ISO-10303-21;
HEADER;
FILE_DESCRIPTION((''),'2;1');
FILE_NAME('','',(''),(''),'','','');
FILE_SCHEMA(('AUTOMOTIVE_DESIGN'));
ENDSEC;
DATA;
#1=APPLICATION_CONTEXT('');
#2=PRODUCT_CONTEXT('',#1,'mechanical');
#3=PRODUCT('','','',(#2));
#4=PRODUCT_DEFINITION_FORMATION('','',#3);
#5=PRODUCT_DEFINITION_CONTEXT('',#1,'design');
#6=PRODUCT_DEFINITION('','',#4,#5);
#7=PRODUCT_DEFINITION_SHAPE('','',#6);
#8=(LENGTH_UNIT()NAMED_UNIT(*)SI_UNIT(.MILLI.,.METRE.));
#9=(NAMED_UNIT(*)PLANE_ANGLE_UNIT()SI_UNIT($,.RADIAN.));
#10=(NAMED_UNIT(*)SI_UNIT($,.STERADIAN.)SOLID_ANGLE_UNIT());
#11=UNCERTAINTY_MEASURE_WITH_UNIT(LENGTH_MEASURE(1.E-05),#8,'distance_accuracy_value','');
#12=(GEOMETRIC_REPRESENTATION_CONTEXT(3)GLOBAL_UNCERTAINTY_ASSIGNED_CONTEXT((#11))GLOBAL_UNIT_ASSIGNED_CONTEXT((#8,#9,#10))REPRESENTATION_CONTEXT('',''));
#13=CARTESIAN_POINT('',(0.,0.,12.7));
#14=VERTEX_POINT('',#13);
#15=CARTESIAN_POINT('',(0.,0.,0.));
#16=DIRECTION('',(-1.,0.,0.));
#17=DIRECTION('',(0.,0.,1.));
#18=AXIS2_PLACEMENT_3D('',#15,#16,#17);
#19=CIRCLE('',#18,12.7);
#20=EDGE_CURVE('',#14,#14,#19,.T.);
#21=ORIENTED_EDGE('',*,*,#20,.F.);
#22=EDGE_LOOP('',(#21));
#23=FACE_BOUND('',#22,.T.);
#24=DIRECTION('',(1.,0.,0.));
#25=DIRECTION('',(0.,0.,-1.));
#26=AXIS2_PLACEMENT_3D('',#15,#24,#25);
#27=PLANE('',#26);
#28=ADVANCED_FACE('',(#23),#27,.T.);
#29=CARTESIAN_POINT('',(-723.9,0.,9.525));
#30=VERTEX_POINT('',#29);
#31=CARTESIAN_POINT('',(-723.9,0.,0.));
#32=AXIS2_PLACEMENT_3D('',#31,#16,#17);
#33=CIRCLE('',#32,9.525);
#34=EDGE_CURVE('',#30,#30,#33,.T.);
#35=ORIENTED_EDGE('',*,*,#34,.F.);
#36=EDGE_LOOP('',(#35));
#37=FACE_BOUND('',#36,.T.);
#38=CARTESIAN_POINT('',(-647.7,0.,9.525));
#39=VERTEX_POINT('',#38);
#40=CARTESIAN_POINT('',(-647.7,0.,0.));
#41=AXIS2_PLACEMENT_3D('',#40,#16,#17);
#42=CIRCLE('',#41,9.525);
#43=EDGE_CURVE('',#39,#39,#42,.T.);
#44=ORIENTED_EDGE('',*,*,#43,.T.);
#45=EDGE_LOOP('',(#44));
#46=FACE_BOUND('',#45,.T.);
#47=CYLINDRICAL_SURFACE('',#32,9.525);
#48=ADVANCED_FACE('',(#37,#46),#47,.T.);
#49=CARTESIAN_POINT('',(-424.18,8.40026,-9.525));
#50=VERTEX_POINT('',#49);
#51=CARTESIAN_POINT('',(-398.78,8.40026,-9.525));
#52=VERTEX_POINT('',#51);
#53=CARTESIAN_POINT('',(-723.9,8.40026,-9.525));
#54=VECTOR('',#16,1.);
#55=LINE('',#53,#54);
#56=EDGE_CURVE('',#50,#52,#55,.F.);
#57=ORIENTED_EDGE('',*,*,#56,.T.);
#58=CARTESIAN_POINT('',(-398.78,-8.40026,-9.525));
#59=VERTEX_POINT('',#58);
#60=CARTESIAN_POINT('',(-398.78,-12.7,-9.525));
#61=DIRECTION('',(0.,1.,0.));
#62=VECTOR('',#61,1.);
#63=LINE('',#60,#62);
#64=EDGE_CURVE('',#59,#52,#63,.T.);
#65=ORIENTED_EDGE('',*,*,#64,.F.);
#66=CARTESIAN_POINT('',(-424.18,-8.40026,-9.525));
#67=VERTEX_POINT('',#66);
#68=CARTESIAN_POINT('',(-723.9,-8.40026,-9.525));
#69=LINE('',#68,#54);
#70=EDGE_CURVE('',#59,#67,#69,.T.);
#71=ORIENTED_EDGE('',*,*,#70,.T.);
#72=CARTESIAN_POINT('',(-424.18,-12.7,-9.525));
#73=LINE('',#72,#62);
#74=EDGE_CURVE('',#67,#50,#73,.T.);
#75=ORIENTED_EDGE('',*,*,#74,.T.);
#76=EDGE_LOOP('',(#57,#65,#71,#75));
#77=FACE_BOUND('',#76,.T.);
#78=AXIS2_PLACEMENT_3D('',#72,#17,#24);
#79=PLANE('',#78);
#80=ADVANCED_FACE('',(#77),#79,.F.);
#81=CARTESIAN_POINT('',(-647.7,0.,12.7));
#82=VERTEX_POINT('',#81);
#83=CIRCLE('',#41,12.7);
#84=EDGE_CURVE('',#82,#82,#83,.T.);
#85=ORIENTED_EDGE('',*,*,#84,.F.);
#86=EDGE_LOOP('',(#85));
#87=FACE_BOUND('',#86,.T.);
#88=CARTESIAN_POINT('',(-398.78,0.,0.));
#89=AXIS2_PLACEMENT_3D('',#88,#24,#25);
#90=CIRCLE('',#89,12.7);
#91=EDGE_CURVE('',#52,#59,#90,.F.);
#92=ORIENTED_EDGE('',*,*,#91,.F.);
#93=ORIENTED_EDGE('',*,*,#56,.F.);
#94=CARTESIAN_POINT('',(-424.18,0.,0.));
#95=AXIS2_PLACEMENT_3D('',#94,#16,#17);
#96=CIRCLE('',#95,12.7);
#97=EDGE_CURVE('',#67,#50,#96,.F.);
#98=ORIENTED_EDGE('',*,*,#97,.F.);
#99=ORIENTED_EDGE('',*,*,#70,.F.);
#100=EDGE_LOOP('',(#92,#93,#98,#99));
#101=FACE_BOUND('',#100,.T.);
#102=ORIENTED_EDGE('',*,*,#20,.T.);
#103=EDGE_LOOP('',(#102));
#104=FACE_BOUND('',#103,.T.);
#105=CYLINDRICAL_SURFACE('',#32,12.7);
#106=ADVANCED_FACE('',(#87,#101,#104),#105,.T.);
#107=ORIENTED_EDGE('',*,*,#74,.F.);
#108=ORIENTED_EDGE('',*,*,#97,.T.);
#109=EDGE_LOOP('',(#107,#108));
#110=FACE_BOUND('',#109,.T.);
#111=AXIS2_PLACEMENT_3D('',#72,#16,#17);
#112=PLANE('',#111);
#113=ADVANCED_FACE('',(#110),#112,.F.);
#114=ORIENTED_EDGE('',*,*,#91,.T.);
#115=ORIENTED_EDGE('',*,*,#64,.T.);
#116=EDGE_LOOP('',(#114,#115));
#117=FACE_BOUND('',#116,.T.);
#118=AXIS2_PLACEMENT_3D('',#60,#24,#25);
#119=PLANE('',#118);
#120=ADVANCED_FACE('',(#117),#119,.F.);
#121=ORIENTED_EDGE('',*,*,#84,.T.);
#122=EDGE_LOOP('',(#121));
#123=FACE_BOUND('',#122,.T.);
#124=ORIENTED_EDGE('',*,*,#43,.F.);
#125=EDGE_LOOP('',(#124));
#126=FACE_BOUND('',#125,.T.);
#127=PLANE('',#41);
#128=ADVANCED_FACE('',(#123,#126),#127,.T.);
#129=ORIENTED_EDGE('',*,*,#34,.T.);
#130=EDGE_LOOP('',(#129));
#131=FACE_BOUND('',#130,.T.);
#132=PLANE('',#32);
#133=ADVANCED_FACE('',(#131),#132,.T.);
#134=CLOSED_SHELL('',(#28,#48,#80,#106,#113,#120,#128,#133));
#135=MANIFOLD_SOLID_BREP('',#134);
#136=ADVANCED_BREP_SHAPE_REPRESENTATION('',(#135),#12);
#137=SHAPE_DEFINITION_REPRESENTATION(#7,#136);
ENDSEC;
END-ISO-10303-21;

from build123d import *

# Parameters (mm, degrees)
SKETCH3_W               = 25.4
SKETCH3_H               = 3.175
CUT_EXTRUDE1_DEPTH      = 725.12277274
CUT_EXTRUDE1_DEPTH_BACK = 725.12277274


with BuildPart() as part:
    # Sketch2 → Revolve1 (revolve)
    with BuildSketch(Plane(origin=(0, 0, 0), x_dir=(1, 0, 0), z_dir=(0, 1, 0)), mode=Mode.PRIVATE) as revolve1_sk:
        Polygon((-723.9, 9.525), (-723.9, 0), (0, 0), (0, 12.7), (-647.7, 12.7), (-647.7, 9.525), align=None)
    revolve(revolve1_sk.sketch.rotate(Axis((-723.9, 0, 0), (1, 0, 0)), 180), axis=Axis((-723.9, 0, 0), (1, 0, 0)))

    # Sketch3 → Cut-Extrude1 (cut, two sides)
    with BuildSketch(Plane(origin=(0, 0, 0), x_dir=(1, 0, 0), z_dir=(0, 1, 0))) as cut_extrude1_sk:
        with Locations((-411.48, 11.1125)):
            Rectangle(SKETCH3_W, SKETCH3_H)
    extrude(amount=CUT_EXTRUDE1_DEPTH, mode=Mode.SUBTRACT)
    extrude(cut_extrude1_sk.sketch, amount=-CUT_EXTRUDE1_DEPTH_BACK, mode=Mode.SUBTRACT)


solid = part.part
